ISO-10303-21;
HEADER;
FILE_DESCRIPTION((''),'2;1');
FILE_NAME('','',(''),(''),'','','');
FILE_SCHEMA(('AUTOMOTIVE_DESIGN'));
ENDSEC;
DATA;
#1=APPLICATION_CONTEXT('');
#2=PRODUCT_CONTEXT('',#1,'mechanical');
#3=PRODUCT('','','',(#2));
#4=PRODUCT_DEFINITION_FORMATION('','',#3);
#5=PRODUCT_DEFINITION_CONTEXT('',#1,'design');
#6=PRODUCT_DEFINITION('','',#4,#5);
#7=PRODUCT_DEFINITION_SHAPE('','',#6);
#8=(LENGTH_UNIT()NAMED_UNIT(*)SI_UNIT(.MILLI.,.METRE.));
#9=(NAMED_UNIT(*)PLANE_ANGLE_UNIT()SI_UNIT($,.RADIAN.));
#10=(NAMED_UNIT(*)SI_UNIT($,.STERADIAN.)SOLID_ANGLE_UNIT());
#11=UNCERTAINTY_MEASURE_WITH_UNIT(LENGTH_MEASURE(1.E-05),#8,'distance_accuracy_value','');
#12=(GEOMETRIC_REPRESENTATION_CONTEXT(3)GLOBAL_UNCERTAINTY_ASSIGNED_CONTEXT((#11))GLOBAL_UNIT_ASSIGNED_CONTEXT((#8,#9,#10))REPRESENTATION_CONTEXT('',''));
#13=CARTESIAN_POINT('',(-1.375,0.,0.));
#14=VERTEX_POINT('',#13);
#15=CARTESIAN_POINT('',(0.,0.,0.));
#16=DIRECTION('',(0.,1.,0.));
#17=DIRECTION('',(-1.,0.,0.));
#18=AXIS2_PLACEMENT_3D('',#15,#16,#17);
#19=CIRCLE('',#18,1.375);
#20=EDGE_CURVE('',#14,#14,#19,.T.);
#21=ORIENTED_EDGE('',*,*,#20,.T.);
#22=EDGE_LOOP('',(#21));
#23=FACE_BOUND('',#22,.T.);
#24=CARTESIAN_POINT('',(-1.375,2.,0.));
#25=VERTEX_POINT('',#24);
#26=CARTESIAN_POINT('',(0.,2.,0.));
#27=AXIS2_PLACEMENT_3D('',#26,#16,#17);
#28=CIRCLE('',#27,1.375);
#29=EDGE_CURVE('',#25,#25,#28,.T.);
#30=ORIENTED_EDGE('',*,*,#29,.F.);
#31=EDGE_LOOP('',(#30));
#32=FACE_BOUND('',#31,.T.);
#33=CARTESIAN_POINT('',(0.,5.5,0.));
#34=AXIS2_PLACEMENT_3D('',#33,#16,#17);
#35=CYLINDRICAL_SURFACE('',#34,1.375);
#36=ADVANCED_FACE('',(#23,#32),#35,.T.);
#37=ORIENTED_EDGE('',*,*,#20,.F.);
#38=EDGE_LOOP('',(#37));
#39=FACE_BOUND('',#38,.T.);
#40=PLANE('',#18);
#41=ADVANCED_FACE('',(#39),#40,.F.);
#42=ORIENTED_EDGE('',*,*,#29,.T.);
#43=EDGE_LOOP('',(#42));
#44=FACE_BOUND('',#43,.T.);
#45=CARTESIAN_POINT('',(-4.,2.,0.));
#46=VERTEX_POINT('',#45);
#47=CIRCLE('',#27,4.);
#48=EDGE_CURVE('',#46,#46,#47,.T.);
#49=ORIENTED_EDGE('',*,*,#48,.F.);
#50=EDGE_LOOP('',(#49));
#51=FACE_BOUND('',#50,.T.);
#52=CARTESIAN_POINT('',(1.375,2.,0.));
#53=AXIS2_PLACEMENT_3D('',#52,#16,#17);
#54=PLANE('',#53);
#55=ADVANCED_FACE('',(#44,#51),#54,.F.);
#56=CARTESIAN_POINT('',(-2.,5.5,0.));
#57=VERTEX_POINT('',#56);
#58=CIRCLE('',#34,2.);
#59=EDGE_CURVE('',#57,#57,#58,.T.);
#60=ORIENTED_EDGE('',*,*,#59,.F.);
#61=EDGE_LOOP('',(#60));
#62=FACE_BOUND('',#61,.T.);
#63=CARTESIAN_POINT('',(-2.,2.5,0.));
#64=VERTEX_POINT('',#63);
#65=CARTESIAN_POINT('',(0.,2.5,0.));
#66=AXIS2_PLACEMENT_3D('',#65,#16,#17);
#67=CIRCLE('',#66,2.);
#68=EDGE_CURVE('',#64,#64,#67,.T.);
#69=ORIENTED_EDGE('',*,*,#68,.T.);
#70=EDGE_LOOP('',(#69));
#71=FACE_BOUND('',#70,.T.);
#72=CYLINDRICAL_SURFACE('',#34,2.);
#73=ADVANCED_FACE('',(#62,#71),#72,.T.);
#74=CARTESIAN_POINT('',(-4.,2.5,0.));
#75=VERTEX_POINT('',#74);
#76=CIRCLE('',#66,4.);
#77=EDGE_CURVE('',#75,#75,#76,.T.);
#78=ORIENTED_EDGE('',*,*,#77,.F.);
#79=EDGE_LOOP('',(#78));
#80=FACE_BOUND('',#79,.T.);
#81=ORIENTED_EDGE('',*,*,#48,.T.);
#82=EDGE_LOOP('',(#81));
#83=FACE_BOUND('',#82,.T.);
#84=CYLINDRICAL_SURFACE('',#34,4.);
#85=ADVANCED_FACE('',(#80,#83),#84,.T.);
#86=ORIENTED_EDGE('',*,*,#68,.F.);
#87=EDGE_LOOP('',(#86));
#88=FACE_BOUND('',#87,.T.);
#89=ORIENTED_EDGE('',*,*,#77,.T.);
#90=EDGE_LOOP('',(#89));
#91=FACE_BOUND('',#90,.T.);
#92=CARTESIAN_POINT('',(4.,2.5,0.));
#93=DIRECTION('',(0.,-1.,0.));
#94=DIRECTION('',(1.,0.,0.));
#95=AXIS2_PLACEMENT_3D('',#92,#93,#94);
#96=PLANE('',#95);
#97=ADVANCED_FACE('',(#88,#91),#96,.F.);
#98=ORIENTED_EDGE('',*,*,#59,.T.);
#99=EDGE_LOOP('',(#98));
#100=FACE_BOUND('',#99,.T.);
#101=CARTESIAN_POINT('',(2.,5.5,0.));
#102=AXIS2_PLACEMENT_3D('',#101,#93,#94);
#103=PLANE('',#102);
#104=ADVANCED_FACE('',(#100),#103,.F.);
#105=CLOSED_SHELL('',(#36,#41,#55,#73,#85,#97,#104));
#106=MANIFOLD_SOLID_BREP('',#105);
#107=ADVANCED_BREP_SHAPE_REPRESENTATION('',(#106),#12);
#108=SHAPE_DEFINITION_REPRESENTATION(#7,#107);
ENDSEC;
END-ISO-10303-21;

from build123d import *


with BuildPart() as part:
    # Sketch1 → Revolve1 (revolve)
    with BuildSketch(Plane.XY, mode=Mode.PRIVATE) as revolve1_sk:
        Polygon((0, 0), (1.375, 0), (1.375, 2), (4, 2), (4, 2.5), (2, 2.5), (2, 5.5), (0, 5.5), align=None)
    revolve(revolve1_sk.sketch.rotate(Axis((0, 5.5, 0), (0, -1, 0)), 180), axis=Axis((0, 5.5, 0), (0, -1, 0)))


solid = part.part
